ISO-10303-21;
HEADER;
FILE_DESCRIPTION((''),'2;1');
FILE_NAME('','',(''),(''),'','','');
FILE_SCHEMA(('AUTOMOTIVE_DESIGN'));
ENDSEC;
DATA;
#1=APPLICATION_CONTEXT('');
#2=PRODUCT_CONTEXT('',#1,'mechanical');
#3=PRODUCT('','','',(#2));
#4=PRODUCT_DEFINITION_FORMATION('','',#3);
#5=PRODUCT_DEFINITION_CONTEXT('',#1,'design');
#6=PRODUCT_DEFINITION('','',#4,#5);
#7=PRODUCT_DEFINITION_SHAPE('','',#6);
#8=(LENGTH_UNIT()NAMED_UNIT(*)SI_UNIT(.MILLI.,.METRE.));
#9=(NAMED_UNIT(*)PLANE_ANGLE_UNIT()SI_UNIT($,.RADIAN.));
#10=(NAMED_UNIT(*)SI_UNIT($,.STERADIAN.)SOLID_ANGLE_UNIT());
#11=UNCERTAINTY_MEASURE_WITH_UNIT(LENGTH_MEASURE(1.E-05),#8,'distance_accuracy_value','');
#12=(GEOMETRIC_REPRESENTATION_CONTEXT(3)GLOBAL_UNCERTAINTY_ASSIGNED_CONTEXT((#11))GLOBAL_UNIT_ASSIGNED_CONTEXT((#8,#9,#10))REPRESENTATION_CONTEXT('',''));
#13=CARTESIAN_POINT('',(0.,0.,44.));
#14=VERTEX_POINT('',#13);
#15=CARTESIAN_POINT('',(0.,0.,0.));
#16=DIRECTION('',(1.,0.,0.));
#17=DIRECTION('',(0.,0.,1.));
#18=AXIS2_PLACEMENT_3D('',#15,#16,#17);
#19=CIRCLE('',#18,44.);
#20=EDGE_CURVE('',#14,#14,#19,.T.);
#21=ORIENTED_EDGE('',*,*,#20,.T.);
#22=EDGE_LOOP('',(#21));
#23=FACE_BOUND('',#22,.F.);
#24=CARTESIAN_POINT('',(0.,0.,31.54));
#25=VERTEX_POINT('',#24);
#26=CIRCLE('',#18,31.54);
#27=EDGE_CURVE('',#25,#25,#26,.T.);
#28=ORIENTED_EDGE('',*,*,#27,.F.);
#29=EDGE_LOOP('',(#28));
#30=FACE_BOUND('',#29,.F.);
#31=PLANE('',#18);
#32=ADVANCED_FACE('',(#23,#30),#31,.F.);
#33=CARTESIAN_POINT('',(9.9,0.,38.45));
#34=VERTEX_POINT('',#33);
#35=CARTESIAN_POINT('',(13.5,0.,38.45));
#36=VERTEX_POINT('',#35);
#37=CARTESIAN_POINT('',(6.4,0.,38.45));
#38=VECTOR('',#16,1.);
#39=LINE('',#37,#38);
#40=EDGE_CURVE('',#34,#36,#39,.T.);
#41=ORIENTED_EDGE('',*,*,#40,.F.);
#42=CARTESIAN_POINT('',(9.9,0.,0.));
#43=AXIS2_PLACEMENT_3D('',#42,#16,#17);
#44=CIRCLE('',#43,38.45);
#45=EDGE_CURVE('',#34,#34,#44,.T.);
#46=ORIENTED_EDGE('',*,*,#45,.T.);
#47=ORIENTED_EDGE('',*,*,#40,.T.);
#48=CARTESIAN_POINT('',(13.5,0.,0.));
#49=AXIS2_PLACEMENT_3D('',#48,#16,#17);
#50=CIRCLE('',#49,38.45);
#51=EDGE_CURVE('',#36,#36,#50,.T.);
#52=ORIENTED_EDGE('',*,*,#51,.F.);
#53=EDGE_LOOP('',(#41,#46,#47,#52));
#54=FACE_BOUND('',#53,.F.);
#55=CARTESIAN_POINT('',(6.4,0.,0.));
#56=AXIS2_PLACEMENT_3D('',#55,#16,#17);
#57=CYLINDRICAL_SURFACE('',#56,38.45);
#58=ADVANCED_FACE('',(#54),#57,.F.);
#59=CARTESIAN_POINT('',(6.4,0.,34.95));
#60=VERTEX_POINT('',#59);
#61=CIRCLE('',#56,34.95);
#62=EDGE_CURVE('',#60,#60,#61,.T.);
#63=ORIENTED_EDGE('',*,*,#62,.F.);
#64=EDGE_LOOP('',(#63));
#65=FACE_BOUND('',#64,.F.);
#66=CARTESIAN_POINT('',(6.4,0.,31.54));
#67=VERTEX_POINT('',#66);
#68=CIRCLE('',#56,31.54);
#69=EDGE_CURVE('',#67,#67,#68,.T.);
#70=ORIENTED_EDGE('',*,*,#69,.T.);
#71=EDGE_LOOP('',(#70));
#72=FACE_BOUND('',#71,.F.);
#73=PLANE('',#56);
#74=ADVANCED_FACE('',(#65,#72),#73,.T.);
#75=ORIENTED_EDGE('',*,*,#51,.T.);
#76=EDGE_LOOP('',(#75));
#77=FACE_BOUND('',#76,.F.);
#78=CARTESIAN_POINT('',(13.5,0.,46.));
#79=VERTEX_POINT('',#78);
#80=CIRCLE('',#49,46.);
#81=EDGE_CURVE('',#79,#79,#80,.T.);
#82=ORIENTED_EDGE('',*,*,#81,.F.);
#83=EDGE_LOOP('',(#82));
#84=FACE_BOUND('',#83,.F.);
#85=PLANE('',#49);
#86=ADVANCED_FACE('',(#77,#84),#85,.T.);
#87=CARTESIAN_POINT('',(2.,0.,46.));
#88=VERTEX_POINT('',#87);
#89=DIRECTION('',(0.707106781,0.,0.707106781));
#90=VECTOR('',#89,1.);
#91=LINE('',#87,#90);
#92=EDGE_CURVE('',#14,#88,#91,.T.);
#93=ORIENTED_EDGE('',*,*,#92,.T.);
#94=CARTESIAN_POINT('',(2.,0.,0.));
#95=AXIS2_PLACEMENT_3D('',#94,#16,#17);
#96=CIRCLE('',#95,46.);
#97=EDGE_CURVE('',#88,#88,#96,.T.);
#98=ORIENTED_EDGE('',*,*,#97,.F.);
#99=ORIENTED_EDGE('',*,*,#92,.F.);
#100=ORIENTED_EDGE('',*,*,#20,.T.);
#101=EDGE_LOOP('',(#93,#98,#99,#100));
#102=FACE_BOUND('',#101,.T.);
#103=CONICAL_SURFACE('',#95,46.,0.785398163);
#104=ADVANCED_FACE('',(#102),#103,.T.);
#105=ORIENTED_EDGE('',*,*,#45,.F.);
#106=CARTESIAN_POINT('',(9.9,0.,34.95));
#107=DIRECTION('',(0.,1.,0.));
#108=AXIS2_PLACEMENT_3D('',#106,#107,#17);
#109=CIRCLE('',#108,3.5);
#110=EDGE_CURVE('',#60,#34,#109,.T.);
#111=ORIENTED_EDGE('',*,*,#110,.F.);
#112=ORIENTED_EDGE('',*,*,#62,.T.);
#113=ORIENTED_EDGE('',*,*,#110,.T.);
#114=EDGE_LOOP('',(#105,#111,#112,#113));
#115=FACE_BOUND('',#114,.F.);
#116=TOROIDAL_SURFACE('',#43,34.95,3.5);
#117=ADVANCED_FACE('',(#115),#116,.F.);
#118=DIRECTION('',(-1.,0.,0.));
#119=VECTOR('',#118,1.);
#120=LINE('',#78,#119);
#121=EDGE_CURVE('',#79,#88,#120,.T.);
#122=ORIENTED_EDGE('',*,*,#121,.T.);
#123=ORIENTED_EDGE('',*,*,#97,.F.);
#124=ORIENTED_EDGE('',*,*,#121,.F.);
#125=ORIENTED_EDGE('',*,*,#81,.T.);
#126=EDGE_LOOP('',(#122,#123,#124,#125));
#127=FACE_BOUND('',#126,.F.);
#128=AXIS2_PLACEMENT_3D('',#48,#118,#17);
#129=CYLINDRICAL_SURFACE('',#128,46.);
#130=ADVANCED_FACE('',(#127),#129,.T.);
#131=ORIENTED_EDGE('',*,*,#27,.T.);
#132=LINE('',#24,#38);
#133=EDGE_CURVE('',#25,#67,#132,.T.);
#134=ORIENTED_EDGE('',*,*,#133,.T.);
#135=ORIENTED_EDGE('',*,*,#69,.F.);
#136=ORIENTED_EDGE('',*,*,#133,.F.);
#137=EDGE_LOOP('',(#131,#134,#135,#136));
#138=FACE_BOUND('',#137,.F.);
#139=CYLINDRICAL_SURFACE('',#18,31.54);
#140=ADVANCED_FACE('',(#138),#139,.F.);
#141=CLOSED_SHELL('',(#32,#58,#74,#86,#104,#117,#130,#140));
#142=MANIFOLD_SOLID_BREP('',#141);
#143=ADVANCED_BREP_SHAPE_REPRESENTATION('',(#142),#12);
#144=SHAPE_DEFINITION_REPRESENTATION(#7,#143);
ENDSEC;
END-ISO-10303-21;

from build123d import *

# Parameters (mm, degrees)
F3_SIZE = 2
F4_R    = 3.5


with BuildPart() as f2:
    # F1 (on Front) → F2 (revolve)
    with BuildSketch(Plane.XZ):
        Polygon((0, 46), (0, 31.54), (6.4, 31.54), (6.4, 34.95), (6.4, 38.45), (9.9, 38.45), (13.5, 38.45), (13.5, 46), align=None)
    revolve(axis=Axis((6.796166, 0, 0), (1, 0, 0)))

    # F3
    f3_edges = [f2.edges().sort_by_distance(p)[0] for p in [
        (0, 0, -46),
    ]]
    chamfer(f3_edges, length=F3_SIZE)

    # F4
    f4_edges = [f2.edges().sort_by_distance(p)[0] for p in [
        (6.4, 0, -38.45),
    ]]
    fillet(f4_edges, radius=F4_R)


solid = f2.part
